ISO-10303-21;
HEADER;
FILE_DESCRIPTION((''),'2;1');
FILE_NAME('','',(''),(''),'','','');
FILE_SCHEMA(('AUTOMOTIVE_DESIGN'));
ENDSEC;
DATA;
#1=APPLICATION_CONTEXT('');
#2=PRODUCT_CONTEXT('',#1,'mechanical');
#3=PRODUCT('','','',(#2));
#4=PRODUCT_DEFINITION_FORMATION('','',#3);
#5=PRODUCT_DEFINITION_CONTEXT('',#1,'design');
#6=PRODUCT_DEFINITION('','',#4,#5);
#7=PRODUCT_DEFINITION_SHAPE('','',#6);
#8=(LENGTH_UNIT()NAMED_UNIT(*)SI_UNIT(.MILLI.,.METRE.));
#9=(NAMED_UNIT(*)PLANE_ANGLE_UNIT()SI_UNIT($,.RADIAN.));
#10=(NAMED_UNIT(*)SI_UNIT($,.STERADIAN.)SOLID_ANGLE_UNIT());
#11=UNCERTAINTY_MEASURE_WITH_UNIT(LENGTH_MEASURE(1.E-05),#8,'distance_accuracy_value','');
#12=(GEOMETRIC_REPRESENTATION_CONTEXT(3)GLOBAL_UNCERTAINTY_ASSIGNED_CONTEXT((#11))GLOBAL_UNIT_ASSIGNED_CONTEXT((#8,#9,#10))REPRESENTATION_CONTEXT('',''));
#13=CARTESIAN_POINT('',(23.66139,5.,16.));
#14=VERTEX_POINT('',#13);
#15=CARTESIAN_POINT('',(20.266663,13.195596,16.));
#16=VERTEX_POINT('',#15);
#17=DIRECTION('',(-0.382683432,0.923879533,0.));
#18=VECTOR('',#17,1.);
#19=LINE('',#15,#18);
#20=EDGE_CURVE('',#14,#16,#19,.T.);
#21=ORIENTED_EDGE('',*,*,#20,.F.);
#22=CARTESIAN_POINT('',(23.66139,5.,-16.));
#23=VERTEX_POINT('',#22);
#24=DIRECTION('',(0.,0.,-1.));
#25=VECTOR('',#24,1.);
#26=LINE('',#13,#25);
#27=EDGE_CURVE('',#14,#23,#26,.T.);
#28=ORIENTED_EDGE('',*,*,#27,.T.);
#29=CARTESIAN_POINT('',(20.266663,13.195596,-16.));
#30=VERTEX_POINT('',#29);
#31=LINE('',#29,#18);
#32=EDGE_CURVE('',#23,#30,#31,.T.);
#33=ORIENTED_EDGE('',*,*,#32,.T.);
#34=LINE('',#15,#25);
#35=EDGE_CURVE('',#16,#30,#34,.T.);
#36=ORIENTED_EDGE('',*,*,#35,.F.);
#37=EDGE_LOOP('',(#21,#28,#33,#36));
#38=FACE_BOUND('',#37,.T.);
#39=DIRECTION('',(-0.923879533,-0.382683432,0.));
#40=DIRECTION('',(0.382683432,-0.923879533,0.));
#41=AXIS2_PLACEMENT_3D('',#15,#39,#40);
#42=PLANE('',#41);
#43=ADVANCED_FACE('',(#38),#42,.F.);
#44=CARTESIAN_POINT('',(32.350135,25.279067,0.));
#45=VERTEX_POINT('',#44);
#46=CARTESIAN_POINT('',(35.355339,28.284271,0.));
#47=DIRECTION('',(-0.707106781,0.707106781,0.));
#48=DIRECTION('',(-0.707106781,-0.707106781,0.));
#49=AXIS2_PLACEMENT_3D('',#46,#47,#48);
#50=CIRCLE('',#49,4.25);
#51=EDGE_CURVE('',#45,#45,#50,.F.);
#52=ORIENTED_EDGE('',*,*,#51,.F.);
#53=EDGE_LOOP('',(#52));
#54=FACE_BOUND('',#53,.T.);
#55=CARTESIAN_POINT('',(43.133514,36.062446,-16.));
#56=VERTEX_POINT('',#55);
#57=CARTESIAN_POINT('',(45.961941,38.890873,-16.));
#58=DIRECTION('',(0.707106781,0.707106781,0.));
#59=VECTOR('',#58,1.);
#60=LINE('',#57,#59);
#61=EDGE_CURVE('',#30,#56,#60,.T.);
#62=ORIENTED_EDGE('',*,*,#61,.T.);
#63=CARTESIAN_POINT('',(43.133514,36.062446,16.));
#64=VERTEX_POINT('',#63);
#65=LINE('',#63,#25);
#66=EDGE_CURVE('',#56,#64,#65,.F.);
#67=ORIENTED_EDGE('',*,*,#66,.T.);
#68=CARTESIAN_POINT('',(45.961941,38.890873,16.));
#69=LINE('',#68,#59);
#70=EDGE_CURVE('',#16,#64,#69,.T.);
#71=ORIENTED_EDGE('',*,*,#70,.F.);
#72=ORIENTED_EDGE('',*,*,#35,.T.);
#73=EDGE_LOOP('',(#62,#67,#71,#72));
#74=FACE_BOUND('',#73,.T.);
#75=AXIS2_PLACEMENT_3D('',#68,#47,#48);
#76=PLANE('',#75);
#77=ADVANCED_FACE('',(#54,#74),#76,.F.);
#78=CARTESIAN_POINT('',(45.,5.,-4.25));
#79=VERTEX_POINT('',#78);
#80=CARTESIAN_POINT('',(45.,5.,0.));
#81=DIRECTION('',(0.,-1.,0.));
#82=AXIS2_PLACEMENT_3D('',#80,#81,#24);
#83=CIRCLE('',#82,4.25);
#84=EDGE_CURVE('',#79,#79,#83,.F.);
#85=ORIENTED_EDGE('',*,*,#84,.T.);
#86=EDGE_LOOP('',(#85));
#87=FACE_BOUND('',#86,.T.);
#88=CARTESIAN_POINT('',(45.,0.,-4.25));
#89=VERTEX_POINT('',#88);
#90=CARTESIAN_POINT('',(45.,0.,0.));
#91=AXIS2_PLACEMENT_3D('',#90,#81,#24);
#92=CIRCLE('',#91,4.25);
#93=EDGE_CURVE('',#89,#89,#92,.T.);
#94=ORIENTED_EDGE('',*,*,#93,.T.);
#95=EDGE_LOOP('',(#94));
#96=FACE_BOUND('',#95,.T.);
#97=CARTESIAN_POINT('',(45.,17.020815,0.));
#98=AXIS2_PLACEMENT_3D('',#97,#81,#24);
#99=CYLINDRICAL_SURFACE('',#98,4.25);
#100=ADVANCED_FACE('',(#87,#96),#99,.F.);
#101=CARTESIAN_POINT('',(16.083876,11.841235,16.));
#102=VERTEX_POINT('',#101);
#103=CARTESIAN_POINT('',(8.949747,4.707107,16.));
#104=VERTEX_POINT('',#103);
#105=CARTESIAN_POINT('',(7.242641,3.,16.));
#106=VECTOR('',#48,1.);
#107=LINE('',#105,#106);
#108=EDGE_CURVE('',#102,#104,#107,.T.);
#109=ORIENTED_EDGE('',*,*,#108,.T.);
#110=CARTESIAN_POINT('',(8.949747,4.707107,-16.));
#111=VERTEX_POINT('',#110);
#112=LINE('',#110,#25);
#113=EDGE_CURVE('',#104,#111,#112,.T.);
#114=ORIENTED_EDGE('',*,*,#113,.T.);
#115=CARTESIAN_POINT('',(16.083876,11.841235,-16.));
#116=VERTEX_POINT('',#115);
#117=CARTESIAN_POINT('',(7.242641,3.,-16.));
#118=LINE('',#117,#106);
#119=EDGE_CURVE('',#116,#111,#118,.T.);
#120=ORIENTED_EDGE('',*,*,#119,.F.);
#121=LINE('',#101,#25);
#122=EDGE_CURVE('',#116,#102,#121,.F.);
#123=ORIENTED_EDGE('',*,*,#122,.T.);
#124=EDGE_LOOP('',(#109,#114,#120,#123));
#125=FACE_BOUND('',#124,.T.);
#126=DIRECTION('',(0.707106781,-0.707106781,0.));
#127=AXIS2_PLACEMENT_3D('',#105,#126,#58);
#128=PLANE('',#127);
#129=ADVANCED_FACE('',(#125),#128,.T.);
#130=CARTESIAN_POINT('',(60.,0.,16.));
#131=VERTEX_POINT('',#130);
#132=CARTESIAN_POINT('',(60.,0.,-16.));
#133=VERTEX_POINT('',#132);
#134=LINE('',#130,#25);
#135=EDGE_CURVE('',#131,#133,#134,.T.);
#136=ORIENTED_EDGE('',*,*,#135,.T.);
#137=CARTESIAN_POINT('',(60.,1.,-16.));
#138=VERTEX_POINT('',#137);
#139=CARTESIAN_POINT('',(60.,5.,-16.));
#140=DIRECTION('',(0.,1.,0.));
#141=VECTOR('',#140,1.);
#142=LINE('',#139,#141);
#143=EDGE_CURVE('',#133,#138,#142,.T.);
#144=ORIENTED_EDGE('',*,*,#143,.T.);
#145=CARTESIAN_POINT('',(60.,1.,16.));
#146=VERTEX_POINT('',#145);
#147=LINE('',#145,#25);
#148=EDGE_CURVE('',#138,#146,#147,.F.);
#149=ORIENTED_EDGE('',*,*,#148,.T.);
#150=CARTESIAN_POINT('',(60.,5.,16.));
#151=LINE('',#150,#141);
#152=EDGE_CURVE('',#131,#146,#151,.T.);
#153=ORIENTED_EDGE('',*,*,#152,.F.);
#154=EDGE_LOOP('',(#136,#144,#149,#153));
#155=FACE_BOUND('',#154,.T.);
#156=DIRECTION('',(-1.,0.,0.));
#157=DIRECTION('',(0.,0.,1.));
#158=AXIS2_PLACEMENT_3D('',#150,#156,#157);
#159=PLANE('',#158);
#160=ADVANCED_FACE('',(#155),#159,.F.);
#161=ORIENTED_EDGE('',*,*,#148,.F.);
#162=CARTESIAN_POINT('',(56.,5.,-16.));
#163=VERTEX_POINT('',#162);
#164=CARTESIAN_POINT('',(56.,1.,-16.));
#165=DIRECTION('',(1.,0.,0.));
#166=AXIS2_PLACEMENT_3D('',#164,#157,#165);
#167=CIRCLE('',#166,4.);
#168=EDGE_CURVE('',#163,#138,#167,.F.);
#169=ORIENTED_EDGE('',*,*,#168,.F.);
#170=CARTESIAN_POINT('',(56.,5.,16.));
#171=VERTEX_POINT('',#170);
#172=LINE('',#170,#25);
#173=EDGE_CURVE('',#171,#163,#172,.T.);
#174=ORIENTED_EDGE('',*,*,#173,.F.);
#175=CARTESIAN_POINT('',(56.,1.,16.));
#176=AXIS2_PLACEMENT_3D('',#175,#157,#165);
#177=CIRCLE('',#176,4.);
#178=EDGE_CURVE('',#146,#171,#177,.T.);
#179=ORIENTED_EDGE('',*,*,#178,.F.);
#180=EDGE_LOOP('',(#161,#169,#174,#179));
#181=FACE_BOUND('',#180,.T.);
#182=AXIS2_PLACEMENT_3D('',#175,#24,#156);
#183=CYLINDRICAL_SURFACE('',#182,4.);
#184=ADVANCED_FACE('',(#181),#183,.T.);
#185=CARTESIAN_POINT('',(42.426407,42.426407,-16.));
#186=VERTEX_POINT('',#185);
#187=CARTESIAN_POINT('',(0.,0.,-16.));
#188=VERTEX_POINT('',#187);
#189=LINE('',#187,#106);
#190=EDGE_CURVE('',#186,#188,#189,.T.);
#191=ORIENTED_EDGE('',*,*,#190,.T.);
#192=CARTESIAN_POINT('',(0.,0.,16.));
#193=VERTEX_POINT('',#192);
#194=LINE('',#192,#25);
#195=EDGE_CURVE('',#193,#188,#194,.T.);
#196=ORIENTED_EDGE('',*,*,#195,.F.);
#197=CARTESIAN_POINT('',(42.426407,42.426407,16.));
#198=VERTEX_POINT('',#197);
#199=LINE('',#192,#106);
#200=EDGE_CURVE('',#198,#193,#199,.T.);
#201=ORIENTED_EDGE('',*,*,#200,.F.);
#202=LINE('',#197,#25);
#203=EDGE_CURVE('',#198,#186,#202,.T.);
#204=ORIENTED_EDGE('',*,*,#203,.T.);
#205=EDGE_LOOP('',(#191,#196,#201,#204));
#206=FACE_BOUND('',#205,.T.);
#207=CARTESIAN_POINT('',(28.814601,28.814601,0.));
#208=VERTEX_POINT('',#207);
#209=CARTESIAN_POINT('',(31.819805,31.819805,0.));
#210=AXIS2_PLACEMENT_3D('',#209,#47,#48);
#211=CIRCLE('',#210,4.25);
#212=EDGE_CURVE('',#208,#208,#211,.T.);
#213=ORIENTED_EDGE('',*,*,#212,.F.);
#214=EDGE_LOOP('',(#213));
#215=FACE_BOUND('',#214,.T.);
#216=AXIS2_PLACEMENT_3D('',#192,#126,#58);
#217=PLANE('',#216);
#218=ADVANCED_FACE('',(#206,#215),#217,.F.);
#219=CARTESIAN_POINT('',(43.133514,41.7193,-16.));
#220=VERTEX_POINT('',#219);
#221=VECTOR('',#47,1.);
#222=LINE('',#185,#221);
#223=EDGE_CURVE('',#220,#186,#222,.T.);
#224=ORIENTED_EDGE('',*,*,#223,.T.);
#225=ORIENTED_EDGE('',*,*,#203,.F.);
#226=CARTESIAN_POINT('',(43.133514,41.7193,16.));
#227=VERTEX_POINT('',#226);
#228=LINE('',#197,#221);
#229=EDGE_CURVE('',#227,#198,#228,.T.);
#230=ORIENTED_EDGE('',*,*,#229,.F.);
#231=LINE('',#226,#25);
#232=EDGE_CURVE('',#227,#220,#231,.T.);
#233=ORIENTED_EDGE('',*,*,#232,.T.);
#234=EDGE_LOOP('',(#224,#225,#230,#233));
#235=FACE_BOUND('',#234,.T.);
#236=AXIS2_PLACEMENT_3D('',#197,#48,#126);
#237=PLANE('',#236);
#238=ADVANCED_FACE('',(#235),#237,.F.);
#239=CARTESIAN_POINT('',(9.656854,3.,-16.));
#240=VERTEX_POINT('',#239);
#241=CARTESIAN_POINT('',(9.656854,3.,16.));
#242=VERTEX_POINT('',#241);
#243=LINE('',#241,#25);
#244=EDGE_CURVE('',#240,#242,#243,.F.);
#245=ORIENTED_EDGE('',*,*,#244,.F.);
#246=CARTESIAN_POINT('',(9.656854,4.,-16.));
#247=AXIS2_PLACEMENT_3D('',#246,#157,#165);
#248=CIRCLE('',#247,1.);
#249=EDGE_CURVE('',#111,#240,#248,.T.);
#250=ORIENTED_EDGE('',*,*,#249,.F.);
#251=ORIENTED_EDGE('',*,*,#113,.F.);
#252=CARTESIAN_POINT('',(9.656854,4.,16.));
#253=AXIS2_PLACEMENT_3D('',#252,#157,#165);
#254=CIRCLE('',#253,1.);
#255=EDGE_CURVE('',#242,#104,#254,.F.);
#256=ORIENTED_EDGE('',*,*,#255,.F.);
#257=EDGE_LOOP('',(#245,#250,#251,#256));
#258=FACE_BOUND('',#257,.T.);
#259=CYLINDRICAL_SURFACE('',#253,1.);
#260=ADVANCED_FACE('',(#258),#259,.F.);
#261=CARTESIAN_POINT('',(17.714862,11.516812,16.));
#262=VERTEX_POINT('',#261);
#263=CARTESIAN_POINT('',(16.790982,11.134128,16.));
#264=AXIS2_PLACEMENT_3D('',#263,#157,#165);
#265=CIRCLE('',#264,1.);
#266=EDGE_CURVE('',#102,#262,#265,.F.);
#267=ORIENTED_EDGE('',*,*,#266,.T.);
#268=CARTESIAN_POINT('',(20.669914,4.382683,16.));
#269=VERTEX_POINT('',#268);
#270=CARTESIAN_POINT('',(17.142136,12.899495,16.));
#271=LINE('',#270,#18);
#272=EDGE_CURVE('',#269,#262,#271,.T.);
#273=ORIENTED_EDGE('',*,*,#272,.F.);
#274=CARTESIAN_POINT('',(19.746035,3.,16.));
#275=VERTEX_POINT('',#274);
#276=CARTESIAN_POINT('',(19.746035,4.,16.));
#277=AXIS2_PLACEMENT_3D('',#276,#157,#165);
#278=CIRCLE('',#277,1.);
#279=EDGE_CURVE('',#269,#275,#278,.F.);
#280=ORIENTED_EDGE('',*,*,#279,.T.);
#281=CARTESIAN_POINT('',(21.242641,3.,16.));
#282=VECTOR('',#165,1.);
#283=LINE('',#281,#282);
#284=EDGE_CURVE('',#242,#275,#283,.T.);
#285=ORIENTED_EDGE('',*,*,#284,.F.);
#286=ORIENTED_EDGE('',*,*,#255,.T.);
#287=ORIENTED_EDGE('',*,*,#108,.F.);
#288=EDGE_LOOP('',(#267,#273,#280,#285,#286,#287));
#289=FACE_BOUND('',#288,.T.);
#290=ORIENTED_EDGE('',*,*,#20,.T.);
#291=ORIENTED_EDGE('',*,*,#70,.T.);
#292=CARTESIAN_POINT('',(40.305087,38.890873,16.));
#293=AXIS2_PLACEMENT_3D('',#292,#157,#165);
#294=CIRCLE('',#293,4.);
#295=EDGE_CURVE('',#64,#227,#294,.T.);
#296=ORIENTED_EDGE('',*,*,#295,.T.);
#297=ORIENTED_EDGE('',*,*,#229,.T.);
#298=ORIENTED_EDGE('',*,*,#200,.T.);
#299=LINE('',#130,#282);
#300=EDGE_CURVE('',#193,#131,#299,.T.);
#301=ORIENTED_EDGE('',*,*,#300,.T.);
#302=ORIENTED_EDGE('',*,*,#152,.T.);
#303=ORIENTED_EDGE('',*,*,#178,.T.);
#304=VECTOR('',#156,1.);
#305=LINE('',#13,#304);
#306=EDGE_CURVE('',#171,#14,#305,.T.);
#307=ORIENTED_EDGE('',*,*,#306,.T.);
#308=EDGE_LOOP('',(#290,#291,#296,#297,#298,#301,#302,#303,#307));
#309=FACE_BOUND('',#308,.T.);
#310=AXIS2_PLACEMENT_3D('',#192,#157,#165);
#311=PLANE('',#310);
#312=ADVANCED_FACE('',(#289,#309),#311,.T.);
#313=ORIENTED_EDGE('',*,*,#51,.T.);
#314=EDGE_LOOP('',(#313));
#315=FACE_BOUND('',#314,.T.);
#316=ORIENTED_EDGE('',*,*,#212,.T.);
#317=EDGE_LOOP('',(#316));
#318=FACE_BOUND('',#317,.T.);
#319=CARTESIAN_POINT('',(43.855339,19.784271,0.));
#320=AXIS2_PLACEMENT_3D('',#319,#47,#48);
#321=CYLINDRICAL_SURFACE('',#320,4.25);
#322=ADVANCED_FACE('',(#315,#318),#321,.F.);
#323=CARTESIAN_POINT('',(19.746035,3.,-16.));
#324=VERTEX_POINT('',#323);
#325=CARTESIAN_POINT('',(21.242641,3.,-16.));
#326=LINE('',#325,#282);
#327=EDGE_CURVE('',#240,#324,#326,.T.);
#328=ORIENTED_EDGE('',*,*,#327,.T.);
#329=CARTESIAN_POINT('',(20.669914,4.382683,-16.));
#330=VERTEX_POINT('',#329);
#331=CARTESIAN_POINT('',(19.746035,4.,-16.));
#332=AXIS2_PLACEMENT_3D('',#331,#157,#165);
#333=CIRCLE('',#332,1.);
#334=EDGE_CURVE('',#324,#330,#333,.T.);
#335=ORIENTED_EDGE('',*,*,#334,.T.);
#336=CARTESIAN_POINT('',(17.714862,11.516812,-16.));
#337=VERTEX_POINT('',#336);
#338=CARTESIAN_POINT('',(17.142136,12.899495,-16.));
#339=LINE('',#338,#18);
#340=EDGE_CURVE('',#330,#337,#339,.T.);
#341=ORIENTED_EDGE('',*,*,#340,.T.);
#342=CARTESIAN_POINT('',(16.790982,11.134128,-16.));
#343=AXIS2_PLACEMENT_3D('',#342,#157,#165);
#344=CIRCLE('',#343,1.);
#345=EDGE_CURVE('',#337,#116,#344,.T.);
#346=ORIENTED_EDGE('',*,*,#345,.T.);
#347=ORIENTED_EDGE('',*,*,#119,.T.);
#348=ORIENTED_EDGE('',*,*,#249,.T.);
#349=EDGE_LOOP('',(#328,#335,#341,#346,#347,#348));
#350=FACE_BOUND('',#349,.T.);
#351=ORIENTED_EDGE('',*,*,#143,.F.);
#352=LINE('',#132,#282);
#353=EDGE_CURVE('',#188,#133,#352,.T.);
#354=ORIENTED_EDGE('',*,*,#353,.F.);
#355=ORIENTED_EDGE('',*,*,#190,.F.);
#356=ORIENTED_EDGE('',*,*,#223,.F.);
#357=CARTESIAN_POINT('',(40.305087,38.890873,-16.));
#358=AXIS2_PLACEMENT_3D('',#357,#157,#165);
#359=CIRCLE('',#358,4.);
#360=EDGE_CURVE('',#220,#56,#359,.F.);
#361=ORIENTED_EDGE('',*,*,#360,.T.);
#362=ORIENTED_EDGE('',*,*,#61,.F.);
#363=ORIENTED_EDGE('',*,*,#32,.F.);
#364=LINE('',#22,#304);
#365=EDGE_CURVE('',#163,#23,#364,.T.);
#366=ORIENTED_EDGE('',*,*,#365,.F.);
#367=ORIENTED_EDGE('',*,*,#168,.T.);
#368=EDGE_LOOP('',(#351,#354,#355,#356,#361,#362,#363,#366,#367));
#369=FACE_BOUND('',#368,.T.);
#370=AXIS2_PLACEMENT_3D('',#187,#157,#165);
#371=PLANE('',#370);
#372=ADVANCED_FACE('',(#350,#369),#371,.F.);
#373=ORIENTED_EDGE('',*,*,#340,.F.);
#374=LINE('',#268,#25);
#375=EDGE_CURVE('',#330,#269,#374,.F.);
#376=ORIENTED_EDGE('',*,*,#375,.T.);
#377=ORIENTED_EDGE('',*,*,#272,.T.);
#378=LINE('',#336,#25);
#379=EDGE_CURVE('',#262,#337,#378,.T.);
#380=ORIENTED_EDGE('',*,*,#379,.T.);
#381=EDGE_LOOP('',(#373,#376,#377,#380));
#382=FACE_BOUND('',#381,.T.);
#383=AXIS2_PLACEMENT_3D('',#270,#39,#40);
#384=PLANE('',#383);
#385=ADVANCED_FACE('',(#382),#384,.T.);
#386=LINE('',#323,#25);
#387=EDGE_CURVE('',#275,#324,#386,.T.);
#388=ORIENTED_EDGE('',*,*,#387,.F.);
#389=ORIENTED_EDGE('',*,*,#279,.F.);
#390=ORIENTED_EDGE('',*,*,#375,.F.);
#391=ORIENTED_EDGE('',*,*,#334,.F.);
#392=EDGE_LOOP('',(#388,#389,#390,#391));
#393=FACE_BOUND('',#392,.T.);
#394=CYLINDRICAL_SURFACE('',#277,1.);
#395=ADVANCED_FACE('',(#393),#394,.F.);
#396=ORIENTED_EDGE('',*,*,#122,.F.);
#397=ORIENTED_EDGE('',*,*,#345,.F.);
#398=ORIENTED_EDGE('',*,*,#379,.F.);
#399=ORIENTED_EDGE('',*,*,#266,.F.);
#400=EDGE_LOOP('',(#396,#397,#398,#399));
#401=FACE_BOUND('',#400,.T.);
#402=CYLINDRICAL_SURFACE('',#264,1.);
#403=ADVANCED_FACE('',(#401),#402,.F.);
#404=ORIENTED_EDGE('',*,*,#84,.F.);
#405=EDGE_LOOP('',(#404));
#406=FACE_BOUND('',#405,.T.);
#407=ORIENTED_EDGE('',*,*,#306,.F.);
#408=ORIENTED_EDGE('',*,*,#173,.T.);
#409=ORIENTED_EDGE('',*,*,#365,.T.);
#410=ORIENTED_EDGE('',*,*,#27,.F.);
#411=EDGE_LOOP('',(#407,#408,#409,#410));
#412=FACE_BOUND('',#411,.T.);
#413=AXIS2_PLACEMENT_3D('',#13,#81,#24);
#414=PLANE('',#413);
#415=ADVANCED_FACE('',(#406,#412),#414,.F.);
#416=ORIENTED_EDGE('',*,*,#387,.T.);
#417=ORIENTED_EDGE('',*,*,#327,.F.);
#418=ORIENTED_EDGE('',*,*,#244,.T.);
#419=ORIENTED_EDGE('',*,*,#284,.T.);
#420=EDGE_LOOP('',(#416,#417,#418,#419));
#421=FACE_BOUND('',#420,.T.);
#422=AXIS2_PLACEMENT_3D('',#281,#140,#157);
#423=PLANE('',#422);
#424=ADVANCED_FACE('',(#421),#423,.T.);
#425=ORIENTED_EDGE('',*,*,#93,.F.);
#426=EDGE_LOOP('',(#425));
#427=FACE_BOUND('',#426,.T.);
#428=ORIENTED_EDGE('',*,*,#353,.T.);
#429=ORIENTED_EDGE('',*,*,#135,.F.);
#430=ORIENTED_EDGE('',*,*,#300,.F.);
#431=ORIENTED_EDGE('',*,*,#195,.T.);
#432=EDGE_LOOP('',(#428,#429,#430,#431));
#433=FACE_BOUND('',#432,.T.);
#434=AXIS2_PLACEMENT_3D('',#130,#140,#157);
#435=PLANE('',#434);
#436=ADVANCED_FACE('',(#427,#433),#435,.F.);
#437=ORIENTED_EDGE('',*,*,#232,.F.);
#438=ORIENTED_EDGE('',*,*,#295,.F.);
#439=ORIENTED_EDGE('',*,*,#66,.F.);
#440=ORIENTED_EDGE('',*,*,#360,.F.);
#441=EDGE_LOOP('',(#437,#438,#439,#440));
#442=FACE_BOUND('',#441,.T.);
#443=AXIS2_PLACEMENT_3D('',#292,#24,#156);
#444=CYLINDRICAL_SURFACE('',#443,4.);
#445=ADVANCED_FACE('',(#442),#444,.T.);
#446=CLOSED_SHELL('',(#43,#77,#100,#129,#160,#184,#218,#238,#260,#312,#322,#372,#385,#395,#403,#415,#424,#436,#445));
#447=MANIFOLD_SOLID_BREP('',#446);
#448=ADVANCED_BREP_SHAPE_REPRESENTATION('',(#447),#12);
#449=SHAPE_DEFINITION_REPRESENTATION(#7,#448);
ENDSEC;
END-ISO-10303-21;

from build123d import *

# Parameters (mm, degrees)
EXTRUDE_1_DEPTH     = 16
SKETCH_2_R          = 4.25
CUT_EXTRUDE_1_DEPTH = 5
SKETCH_3_R          = 4.25
CUT_EXTRUDE_2_DEPTH = 5
FILLET_1_R          = 4
FILLET_2_R          = 1


with BuildPart() as part:
    # Эскиз1 → Бобышка-Вытянуть1 (new body, symmetric)
    with BuildSketch(Plane.XY):
        Polygon((0, 0), (42.426406871, 42.426406871), (45.961940777, 38.890872965), (20.266663343, 13.195595531), (23.661390163, 5), (60, 5), (60, 0), align=None)
        Polygon((17.142135624, 12.899494937), (21.242640687, 3), (7.242640687, 3), align=None, mode=Mode.SUBTRACT)
    extrude(amount=EXTRUDE_1_DEPTH, both=True)

    # Эскиз2 → Вырез-Вытянуть1 (cut)
    with BuildSketch(Plane(origin=(0, 0, 0), x_dir=(0, 0, 1), z_dir=(-0.707106781, 0.707106781, 0))):
        with Locations(Location((0, 45, 0), (0, 0, 270))):  # turned: the seam where the file's is
            Circle(SKETCH_2_R)
    extrude(amount=-CUT_EXTRUDE_1_DEPTH, mode=Mode.SUBTRACT)

    # Эскиз3 → Вырез-Вытянуть2 (cut)
    with BuildSketch(Plane.XZ):
        with Locations(Location((45, 0, 0), (0, 0, 270))):  # turned: the seam where the file's is
            Circle(SKETCH_3_R)
    extrude(amount=-CUT_EXTRUDE_2_DEPTH, mode=Mode.SUBTRACT)

    # Скругление1
    fillet_1_edges = [part.edges().sort_by_distance(p)[0] for p in [
        (45.961940777, 38.890872965, 0),
        (60, 5, 0),
    ]]
    fillet(fillet_1_edges, radius=FILLET_1_R)

    # Скругление2
    fillet_2_edges = [part.edges().sort_by_distance(p)[0] for p in [
        (17.142135624, 12.899494937, 0),
        (7.242640687, 3, 0),
        (21.242640687, 3, 0),
    ]]
    fillet(fillet_2_edges, radius=FILLET_2_R)


solid = part.part
